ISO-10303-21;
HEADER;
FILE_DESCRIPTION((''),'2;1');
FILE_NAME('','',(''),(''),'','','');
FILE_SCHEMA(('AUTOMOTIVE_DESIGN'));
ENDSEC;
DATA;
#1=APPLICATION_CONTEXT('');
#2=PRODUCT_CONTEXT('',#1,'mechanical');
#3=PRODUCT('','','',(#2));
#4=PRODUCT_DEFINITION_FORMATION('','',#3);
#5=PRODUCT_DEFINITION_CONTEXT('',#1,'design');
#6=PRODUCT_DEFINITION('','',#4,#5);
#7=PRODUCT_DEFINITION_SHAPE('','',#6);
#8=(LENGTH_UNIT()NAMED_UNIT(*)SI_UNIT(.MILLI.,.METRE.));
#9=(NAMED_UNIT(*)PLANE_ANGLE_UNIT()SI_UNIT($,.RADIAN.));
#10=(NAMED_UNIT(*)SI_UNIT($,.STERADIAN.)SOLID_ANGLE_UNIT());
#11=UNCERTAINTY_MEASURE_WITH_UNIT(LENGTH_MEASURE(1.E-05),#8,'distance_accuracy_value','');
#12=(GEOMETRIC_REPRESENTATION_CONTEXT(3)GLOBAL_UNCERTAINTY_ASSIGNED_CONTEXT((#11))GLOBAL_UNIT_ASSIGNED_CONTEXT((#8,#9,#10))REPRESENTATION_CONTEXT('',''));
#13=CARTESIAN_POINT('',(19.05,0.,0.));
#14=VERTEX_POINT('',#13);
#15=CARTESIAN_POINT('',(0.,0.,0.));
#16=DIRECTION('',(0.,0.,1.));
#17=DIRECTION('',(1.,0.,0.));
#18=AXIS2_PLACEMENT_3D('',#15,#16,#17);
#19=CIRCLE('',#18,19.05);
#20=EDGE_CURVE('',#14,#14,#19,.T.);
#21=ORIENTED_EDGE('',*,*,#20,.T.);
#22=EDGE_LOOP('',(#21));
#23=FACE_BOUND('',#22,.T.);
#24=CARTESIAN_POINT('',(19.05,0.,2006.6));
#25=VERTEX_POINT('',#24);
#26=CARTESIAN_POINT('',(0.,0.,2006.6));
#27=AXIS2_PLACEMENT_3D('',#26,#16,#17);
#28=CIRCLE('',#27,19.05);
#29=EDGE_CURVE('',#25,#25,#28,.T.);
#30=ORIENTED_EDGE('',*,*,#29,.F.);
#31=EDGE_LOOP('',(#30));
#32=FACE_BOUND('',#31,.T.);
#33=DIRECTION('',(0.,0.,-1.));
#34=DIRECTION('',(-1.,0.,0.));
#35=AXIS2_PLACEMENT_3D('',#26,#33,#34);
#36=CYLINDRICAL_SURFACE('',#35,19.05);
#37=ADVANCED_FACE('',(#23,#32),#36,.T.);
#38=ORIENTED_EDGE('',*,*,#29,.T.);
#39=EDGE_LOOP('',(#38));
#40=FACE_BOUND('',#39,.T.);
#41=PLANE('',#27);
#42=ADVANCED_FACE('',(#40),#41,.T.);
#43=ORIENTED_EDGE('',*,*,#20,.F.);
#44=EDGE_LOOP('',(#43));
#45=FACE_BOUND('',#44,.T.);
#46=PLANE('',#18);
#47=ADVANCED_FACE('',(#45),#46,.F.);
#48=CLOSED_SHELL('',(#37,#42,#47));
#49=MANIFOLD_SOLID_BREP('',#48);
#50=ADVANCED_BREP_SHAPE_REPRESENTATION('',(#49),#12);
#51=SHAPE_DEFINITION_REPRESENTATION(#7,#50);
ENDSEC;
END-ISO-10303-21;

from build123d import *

# Parameters (mm, degrees)
SKETCH1_R           = 19.05
BOSS_EXTRUDE1_DEPTH = 2006.6


with BuildPart() as part:
    # Sketch1 → Boss-Extrude1 (new body)
    with BuildSketch(Plane.XY):
        Circle(SKETCH1_R)
    extrude(amount=BOSS_EXTRUDE1_DEPTH)


solid = part.part
